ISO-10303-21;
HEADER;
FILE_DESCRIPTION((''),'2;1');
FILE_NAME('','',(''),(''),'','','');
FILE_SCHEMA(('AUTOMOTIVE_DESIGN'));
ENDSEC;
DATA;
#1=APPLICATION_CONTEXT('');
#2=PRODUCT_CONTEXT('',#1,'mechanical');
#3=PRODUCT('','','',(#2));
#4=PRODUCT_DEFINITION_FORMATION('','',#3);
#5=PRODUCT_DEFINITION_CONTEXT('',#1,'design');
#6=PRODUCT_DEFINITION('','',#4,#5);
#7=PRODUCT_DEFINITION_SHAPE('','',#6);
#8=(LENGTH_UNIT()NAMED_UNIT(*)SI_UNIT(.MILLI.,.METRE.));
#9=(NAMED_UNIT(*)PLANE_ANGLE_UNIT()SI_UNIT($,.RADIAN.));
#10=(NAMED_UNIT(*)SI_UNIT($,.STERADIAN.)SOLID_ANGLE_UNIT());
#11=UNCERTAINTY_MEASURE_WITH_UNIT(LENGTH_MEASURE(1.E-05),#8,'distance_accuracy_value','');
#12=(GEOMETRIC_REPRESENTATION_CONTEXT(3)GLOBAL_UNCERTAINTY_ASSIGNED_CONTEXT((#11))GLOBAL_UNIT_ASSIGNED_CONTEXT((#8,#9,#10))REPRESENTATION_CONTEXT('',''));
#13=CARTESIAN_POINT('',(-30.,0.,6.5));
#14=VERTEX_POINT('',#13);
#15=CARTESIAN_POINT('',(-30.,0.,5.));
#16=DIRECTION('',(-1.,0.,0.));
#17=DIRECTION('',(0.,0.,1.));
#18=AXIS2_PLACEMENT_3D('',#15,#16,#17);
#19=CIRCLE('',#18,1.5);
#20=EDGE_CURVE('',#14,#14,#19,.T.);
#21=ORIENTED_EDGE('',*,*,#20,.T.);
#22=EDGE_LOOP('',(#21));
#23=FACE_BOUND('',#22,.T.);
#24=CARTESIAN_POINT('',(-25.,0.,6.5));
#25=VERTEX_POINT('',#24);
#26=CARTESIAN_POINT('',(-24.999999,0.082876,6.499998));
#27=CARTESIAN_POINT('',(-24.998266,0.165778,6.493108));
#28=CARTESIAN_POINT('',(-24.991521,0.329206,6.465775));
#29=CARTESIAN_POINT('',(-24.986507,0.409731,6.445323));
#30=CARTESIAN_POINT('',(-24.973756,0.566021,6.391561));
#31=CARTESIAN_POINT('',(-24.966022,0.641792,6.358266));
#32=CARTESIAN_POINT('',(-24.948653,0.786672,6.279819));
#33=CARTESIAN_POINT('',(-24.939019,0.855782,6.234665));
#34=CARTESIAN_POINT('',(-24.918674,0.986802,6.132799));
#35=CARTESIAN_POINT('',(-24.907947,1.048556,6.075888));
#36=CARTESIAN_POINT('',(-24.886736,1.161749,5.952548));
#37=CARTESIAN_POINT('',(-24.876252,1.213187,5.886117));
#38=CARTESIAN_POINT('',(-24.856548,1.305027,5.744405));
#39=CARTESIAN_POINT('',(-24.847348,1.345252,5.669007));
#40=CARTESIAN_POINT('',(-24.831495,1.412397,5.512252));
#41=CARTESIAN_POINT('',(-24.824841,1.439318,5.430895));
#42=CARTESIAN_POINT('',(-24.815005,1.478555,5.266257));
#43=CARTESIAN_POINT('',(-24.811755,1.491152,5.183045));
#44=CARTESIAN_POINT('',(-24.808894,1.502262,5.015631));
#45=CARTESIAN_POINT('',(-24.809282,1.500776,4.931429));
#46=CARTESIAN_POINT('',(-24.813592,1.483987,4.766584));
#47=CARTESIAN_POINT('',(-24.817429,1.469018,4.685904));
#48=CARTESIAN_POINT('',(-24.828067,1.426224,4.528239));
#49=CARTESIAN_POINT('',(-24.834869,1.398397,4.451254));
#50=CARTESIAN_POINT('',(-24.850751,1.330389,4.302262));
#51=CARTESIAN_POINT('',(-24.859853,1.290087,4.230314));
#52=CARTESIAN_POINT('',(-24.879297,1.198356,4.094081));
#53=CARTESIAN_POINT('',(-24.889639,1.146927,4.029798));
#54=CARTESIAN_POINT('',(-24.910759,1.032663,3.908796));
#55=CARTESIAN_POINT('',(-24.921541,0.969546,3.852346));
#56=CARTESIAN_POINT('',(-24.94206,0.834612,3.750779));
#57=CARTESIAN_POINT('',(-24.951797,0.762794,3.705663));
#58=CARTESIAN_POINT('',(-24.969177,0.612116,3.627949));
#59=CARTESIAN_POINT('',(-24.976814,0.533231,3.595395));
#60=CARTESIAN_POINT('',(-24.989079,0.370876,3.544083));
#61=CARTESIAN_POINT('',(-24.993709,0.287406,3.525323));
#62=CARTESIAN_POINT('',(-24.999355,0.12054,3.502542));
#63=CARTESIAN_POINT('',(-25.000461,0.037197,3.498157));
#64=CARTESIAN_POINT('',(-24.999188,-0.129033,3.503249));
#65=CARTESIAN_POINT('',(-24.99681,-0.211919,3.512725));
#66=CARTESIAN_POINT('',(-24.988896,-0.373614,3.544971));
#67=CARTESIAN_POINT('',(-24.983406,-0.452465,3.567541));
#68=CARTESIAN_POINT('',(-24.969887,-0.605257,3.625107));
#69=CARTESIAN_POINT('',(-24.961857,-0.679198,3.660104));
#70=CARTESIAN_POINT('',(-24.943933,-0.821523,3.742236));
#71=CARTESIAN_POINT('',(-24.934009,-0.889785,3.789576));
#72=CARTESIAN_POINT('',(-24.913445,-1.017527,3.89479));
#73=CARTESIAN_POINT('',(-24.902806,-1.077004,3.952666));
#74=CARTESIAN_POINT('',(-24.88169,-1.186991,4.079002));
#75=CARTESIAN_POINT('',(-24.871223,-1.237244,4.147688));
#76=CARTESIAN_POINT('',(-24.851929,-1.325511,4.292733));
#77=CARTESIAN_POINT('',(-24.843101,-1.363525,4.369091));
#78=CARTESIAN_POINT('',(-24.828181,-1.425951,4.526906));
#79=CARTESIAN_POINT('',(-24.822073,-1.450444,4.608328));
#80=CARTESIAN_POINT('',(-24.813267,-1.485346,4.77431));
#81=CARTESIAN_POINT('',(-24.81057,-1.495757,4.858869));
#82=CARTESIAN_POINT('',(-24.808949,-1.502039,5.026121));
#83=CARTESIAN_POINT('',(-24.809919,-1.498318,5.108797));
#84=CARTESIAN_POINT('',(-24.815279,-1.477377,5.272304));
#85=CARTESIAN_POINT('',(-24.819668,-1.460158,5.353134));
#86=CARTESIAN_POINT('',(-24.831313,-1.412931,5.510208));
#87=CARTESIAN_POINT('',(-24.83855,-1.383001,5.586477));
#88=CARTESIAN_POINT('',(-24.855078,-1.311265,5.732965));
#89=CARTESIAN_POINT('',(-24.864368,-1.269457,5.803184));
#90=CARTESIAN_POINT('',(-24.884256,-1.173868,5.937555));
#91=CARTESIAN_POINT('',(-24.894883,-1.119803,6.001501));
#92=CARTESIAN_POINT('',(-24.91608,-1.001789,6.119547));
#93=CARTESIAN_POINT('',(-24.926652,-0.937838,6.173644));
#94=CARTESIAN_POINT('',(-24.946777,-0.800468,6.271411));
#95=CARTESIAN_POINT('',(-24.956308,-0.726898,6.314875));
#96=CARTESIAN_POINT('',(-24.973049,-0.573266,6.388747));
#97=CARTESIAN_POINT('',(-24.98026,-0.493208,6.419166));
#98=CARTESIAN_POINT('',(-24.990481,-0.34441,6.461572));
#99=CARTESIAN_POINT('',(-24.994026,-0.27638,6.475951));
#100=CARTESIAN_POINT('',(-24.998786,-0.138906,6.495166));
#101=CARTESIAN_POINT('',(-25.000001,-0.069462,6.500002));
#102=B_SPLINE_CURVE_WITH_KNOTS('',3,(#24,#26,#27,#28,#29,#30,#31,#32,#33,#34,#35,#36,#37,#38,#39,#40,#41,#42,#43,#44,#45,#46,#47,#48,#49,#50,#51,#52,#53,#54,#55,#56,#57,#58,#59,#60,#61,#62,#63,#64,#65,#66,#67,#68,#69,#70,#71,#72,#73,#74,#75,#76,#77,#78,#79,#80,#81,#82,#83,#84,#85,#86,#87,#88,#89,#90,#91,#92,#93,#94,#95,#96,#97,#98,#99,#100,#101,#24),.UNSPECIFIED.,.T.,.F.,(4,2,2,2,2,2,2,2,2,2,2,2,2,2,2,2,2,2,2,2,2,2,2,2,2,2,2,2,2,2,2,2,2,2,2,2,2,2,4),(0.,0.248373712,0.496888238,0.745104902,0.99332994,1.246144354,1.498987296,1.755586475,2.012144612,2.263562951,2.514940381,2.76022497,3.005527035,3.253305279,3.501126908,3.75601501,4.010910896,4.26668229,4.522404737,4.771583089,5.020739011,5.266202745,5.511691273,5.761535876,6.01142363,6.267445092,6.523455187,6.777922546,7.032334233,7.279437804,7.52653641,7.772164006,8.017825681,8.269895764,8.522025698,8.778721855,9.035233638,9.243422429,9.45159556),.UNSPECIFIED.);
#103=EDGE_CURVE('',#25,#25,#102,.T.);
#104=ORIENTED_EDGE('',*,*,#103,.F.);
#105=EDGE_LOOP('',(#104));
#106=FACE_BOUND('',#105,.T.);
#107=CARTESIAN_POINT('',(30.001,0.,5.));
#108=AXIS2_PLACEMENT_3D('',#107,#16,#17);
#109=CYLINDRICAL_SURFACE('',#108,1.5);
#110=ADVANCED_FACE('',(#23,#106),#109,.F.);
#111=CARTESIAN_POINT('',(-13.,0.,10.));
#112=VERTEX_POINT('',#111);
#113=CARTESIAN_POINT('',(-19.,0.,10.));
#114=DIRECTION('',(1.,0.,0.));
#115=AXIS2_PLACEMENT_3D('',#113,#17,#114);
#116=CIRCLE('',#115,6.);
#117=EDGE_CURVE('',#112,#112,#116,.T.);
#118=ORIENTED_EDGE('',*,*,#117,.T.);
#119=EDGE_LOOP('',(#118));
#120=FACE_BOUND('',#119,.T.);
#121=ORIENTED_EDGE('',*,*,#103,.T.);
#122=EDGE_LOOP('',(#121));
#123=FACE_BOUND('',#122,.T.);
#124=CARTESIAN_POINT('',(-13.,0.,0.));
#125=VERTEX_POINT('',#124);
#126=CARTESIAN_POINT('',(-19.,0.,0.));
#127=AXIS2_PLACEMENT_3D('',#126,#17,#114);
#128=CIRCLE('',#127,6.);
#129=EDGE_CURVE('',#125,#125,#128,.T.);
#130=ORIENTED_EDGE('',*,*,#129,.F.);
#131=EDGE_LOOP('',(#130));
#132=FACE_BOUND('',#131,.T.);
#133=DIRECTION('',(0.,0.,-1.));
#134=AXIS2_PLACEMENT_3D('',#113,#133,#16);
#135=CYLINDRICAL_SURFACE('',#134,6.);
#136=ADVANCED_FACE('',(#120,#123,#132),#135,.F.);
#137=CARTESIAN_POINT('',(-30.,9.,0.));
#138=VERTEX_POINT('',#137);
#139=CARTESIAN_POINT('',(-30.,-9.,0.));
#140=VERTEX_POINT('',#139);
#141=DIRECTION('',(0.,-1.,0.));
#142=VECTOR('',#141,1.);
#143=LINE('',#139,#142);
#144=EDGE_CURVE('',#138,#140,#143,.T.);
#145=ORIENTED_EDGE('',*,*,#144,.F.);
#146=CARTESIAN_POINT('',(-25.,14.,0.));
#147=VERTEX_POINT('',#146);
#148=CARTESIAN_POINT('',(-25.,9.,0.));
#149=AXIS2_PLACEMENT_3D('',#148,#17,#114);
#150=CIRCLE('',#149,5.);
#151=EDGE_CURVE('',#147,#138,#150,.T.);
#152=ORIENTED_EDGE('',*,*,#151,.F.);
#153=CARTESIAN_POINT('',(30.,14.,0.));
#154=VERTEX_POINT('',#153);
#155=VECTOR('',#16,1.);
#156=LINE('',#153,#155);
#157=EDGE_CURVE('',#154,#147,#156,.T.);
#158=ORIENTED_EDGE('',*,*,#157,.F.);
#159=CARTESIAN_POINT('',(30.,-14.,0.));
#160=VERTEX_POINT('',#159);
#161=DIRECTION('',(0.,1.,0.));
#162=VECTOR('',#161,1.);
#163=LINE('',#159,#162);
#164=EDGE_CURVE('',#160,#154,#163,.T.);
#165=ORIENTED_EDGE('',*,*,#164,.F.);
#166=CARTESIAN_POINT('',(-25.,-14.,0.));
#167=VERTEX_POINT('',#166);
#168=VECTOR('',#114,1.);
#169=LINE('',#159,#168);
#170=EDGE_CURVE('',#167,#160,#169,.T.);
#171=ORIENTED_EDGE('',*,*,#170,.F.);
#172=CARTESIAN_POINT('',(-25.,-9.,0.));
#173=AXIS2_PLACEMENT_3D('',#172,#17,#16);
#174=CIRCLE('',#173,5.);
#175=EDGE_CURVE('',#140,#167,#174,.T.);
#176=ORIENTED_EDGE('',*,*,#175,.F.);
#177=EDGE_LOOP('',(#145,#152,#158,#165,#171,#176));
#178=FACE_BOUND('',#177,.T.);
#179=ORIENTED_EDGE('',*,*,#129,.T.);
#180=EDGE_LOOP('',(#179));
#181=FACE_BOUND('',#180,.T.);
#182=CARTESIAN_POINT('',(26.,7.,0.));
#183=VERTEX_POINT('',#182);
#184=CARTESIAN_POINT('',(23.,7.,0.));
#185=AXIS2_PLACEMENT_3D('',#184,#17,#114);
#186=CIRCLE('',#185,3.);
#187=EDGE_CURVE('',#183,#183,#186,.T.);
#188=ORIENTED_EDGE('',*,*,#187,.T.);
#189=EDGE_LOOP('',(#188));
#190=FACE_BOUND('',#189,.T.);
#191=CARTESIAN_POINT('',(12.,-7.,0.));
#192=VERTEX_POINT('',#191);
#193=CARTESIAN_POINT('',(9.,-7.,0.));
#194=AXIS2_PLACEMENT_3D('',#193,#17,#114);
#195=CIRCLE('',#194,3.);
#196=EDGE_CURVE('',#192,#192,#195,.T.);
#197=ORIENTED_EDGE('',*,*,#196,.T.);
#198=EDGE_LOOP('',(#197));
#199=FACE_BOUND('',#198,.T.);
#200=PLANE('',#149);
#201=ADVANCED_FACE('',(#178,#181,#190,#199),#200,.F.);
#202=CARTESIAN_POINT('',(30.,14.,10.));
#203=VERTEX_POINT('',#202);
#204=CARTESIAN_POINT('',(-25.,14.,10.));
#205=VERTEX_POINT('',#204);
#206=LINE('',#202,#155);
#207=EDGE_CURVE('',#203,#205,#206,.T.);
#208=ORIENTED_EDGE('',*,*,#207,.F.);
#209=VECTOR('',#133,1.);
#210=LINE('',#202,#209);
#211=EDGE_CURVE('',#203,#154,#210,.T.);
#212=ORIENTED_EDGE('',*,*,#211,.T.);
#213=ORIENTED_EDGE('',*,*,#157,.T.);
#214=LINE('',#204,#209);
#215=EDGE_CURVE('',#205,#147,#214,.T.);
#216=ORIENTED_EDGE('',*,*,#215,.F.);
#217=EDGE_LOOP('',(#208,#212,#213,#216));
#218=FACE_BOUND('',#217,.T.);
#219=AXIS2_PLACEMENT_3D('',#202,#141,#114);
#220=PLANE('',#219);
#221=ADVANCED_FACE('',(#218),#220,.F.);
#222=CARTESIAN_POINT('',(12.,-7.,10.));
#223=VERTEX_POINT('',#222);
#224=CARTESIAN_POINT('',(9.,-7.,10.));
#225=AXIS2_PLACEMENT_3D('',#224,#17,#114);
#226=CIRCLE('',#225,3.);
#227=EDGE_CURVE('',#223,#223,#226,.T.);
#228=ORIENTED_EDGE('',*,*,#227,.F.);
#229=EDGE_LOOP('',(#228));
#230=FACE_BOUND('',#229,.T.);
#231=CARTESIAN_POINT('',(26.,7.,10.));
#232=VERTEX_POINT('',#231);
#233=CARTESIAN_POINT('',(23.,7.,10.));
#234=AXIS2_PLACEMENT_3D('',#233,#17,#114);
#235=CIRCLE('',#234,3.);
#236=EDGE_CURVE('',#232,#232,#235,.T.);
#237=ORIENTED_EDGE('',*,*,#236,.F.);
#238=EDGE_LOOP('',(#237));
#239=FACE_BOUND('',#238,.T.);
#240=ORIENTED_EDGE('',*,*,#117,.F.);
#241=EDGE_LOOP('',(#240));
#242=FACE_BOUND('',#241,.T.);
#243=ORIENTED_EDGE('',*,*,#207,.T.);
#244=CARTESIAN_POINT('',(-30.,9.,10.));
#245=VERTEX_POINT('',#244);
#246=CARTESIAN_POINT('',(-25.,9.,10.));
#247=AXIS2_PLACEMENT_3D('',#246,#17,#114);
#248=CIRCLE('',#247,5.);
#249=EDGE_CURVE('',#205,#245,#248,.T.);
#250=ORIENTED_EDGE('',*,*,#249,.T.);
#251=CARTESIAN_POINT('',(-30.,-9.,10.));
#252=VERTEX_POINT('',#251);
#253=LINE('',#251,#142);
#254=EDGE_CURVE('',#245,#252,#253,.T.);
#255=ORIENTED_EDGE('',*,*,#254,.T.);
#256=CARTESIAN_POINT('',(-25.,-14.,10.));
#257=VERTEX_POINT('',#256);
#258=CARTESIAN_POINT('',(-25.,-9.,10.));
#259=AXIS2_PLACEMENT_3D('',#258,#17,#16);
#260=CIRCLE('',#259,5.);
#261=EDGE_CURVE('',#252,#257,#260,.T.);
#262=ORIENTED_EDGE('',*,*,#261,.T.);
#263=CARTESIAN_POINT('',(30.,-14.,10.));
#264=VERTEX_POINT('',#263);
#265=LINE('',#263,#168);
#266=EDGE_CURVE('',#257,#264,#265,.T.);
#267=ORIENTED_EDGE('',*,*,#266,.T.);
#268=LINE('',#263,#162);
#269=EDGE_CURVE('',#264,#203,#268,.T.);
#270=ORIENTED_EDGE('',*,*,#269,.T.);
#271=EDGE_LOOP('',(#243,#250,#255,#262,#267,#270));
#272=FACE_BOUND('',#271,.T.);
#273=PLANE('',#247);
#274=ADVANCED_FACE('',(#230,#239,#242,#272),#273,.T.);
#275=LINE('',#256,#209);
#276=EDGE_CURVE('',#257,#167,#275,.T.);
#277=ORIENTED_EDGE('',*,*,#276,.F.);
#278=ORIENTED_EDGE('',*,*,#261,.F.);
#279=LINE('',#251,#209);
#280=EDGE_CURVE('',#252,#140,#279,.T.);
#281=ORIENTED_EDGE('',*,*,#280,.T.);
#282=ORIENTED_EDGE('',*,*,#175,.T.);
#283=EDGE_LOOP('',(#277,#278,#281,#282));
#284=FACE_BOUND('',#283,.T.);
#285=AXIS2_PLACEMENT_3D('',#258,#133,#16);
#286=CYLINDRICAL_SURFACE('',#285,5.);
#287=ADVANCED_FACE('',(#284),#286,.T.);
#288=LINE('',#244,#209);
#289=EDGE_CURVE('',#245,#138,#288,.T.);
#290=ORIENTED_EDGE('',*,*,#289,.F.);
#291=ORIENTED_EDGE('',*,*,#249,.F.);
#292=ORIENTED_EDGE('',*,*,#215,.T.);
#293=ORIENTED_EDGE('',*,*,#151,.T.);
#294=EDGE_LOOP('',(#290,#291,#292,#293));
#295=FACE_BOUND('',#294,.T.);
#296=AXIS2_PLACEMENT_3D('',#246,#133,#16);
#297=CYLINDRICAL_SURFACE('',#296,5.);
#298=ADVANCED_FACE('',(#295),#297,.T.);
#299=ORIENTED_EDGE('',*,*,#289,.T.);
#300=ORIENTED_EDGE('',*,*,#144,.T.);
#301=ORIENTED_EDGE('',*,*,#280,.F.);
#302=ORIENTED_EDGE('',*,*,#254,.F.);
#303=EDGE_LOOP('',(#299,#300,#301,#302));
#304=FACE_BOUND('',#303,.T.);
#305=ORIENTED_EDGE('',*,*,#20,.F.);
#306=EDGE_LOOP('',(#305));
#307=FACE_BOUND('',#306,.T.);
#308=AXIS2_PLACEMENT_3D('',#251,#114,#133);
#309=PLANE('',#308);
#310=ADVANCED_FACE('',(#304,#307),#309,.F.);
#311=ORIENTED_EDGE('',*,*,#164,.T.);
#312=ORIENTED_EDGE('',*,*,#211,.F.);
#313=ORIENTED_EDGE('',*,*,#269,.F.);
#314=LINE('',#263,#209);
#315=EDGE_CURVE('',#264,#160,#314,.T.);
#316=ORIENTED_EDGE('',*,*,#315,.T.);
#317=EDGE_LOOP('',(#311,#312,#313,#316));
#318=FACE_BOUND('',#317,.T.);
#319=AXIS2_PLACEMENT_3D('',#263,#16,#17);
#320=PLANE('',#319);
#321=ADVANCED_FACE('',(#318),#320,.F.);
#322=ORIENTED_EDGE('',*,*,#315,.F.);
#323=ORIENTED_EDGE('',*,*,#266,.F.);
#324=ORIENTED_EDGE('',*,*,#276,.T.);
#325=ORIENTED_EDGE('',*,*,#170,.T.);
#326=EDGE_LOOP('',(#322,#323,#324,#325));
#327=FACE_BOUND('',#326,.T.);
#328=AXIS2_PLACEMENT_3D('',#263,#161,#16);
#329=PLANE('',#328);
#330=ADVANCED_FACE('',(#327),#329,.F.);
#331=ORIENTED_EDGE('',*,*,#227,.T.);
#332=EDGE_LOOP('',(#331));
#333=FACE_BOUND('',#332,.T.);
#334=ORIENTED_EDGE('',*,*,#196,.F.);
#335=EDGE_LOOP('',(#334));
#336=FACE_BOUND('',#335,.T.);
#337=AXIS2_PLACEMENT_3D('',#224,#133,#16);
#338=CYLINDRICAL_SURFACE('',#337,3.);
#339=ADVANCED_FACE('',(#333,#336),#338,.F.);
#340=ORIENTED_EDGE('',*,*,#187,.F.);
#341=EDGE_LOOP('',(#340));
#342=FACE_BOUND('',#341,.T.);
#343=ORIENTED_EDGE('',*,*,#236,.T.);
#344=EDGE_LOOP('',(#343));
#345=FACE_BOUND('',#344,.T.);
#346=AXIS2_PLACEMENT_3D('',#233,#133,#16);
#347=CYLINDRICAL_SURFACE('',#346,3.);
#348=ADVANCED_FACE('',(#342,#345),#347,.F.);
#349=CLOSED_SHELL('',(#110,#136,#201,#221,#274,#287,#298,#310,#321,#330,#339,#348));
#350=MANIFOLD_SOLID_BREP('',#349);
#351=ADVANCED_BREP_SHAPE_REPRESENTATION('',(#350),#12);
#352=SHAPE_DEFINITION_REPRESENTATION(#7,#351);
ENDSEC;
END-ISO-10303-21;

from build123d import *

# Parameters (mm, degrees)
IZIM1_R                     = 3
IZIM1_R_2                   = 6
Y_KSEKLIK_EKSTR_ZYON1_DEPTH = 10
KES_EKSTR_ZYON1_REACH       = 62
IZIM2_R                     = 1.5


with BuildPart() as part:
    # Çizim1 → Yükseklik-Ekstrüzyon1 (new body)
    with BuildSketch(Plane.XY):
        with BuildLine():
            Line((30, -14), (-25, -14))
            ThreePointArc((-25, -14), (-28.535533906, -12.535533906), (-30, -9))
            Line((-30, -9), (-30, 9))
            ThreePointArc((-30, 9), (-28.535533906, 12.535533906), (-25, 14))
            Line((-25, 14), (30, 14))
            Line((30, 14), (30, -14))
        make_face()
        with Locations((23, 7)):
            Circle(IZIM1_R, mode=Mode.SUBTRACT)
        with Locations((-19, 0)):
            Circle(IZIM1_R_2, mode=Mode.SUBTRACT)
        with Locations((9, -7)):
            Circle(IZIM1_R, mode=Mode.SUBTRACT)
    extrude(amount=Y_KSEKLIK_EKSTR_ZYON1_DEPTH)

    # Çizim2 → Kes-Ekstrüzyon1 (cut, up to next)
    with BuildSketch(Plane.ZY.offset(30), mode=Mode.PRIVATE) as kes_ekstr_zyon1_sk1:
        with Locations((5, 0)):
            Circle(IZIM2_R)
    kes_ekstr_zyon1_tool1 = extrude(kes_ekstr_zyon1_sk1.sketch, amount=-KES_EKSTR_ZYON1_REACH, mode=Mode.PRIVATE) & part.part
    add(kes_ekstr_zyon1_tool1.solids().sort_by_distance((-30, 0, 5))[0], mode=Mode.SUBTRACT)


solid = part.part
